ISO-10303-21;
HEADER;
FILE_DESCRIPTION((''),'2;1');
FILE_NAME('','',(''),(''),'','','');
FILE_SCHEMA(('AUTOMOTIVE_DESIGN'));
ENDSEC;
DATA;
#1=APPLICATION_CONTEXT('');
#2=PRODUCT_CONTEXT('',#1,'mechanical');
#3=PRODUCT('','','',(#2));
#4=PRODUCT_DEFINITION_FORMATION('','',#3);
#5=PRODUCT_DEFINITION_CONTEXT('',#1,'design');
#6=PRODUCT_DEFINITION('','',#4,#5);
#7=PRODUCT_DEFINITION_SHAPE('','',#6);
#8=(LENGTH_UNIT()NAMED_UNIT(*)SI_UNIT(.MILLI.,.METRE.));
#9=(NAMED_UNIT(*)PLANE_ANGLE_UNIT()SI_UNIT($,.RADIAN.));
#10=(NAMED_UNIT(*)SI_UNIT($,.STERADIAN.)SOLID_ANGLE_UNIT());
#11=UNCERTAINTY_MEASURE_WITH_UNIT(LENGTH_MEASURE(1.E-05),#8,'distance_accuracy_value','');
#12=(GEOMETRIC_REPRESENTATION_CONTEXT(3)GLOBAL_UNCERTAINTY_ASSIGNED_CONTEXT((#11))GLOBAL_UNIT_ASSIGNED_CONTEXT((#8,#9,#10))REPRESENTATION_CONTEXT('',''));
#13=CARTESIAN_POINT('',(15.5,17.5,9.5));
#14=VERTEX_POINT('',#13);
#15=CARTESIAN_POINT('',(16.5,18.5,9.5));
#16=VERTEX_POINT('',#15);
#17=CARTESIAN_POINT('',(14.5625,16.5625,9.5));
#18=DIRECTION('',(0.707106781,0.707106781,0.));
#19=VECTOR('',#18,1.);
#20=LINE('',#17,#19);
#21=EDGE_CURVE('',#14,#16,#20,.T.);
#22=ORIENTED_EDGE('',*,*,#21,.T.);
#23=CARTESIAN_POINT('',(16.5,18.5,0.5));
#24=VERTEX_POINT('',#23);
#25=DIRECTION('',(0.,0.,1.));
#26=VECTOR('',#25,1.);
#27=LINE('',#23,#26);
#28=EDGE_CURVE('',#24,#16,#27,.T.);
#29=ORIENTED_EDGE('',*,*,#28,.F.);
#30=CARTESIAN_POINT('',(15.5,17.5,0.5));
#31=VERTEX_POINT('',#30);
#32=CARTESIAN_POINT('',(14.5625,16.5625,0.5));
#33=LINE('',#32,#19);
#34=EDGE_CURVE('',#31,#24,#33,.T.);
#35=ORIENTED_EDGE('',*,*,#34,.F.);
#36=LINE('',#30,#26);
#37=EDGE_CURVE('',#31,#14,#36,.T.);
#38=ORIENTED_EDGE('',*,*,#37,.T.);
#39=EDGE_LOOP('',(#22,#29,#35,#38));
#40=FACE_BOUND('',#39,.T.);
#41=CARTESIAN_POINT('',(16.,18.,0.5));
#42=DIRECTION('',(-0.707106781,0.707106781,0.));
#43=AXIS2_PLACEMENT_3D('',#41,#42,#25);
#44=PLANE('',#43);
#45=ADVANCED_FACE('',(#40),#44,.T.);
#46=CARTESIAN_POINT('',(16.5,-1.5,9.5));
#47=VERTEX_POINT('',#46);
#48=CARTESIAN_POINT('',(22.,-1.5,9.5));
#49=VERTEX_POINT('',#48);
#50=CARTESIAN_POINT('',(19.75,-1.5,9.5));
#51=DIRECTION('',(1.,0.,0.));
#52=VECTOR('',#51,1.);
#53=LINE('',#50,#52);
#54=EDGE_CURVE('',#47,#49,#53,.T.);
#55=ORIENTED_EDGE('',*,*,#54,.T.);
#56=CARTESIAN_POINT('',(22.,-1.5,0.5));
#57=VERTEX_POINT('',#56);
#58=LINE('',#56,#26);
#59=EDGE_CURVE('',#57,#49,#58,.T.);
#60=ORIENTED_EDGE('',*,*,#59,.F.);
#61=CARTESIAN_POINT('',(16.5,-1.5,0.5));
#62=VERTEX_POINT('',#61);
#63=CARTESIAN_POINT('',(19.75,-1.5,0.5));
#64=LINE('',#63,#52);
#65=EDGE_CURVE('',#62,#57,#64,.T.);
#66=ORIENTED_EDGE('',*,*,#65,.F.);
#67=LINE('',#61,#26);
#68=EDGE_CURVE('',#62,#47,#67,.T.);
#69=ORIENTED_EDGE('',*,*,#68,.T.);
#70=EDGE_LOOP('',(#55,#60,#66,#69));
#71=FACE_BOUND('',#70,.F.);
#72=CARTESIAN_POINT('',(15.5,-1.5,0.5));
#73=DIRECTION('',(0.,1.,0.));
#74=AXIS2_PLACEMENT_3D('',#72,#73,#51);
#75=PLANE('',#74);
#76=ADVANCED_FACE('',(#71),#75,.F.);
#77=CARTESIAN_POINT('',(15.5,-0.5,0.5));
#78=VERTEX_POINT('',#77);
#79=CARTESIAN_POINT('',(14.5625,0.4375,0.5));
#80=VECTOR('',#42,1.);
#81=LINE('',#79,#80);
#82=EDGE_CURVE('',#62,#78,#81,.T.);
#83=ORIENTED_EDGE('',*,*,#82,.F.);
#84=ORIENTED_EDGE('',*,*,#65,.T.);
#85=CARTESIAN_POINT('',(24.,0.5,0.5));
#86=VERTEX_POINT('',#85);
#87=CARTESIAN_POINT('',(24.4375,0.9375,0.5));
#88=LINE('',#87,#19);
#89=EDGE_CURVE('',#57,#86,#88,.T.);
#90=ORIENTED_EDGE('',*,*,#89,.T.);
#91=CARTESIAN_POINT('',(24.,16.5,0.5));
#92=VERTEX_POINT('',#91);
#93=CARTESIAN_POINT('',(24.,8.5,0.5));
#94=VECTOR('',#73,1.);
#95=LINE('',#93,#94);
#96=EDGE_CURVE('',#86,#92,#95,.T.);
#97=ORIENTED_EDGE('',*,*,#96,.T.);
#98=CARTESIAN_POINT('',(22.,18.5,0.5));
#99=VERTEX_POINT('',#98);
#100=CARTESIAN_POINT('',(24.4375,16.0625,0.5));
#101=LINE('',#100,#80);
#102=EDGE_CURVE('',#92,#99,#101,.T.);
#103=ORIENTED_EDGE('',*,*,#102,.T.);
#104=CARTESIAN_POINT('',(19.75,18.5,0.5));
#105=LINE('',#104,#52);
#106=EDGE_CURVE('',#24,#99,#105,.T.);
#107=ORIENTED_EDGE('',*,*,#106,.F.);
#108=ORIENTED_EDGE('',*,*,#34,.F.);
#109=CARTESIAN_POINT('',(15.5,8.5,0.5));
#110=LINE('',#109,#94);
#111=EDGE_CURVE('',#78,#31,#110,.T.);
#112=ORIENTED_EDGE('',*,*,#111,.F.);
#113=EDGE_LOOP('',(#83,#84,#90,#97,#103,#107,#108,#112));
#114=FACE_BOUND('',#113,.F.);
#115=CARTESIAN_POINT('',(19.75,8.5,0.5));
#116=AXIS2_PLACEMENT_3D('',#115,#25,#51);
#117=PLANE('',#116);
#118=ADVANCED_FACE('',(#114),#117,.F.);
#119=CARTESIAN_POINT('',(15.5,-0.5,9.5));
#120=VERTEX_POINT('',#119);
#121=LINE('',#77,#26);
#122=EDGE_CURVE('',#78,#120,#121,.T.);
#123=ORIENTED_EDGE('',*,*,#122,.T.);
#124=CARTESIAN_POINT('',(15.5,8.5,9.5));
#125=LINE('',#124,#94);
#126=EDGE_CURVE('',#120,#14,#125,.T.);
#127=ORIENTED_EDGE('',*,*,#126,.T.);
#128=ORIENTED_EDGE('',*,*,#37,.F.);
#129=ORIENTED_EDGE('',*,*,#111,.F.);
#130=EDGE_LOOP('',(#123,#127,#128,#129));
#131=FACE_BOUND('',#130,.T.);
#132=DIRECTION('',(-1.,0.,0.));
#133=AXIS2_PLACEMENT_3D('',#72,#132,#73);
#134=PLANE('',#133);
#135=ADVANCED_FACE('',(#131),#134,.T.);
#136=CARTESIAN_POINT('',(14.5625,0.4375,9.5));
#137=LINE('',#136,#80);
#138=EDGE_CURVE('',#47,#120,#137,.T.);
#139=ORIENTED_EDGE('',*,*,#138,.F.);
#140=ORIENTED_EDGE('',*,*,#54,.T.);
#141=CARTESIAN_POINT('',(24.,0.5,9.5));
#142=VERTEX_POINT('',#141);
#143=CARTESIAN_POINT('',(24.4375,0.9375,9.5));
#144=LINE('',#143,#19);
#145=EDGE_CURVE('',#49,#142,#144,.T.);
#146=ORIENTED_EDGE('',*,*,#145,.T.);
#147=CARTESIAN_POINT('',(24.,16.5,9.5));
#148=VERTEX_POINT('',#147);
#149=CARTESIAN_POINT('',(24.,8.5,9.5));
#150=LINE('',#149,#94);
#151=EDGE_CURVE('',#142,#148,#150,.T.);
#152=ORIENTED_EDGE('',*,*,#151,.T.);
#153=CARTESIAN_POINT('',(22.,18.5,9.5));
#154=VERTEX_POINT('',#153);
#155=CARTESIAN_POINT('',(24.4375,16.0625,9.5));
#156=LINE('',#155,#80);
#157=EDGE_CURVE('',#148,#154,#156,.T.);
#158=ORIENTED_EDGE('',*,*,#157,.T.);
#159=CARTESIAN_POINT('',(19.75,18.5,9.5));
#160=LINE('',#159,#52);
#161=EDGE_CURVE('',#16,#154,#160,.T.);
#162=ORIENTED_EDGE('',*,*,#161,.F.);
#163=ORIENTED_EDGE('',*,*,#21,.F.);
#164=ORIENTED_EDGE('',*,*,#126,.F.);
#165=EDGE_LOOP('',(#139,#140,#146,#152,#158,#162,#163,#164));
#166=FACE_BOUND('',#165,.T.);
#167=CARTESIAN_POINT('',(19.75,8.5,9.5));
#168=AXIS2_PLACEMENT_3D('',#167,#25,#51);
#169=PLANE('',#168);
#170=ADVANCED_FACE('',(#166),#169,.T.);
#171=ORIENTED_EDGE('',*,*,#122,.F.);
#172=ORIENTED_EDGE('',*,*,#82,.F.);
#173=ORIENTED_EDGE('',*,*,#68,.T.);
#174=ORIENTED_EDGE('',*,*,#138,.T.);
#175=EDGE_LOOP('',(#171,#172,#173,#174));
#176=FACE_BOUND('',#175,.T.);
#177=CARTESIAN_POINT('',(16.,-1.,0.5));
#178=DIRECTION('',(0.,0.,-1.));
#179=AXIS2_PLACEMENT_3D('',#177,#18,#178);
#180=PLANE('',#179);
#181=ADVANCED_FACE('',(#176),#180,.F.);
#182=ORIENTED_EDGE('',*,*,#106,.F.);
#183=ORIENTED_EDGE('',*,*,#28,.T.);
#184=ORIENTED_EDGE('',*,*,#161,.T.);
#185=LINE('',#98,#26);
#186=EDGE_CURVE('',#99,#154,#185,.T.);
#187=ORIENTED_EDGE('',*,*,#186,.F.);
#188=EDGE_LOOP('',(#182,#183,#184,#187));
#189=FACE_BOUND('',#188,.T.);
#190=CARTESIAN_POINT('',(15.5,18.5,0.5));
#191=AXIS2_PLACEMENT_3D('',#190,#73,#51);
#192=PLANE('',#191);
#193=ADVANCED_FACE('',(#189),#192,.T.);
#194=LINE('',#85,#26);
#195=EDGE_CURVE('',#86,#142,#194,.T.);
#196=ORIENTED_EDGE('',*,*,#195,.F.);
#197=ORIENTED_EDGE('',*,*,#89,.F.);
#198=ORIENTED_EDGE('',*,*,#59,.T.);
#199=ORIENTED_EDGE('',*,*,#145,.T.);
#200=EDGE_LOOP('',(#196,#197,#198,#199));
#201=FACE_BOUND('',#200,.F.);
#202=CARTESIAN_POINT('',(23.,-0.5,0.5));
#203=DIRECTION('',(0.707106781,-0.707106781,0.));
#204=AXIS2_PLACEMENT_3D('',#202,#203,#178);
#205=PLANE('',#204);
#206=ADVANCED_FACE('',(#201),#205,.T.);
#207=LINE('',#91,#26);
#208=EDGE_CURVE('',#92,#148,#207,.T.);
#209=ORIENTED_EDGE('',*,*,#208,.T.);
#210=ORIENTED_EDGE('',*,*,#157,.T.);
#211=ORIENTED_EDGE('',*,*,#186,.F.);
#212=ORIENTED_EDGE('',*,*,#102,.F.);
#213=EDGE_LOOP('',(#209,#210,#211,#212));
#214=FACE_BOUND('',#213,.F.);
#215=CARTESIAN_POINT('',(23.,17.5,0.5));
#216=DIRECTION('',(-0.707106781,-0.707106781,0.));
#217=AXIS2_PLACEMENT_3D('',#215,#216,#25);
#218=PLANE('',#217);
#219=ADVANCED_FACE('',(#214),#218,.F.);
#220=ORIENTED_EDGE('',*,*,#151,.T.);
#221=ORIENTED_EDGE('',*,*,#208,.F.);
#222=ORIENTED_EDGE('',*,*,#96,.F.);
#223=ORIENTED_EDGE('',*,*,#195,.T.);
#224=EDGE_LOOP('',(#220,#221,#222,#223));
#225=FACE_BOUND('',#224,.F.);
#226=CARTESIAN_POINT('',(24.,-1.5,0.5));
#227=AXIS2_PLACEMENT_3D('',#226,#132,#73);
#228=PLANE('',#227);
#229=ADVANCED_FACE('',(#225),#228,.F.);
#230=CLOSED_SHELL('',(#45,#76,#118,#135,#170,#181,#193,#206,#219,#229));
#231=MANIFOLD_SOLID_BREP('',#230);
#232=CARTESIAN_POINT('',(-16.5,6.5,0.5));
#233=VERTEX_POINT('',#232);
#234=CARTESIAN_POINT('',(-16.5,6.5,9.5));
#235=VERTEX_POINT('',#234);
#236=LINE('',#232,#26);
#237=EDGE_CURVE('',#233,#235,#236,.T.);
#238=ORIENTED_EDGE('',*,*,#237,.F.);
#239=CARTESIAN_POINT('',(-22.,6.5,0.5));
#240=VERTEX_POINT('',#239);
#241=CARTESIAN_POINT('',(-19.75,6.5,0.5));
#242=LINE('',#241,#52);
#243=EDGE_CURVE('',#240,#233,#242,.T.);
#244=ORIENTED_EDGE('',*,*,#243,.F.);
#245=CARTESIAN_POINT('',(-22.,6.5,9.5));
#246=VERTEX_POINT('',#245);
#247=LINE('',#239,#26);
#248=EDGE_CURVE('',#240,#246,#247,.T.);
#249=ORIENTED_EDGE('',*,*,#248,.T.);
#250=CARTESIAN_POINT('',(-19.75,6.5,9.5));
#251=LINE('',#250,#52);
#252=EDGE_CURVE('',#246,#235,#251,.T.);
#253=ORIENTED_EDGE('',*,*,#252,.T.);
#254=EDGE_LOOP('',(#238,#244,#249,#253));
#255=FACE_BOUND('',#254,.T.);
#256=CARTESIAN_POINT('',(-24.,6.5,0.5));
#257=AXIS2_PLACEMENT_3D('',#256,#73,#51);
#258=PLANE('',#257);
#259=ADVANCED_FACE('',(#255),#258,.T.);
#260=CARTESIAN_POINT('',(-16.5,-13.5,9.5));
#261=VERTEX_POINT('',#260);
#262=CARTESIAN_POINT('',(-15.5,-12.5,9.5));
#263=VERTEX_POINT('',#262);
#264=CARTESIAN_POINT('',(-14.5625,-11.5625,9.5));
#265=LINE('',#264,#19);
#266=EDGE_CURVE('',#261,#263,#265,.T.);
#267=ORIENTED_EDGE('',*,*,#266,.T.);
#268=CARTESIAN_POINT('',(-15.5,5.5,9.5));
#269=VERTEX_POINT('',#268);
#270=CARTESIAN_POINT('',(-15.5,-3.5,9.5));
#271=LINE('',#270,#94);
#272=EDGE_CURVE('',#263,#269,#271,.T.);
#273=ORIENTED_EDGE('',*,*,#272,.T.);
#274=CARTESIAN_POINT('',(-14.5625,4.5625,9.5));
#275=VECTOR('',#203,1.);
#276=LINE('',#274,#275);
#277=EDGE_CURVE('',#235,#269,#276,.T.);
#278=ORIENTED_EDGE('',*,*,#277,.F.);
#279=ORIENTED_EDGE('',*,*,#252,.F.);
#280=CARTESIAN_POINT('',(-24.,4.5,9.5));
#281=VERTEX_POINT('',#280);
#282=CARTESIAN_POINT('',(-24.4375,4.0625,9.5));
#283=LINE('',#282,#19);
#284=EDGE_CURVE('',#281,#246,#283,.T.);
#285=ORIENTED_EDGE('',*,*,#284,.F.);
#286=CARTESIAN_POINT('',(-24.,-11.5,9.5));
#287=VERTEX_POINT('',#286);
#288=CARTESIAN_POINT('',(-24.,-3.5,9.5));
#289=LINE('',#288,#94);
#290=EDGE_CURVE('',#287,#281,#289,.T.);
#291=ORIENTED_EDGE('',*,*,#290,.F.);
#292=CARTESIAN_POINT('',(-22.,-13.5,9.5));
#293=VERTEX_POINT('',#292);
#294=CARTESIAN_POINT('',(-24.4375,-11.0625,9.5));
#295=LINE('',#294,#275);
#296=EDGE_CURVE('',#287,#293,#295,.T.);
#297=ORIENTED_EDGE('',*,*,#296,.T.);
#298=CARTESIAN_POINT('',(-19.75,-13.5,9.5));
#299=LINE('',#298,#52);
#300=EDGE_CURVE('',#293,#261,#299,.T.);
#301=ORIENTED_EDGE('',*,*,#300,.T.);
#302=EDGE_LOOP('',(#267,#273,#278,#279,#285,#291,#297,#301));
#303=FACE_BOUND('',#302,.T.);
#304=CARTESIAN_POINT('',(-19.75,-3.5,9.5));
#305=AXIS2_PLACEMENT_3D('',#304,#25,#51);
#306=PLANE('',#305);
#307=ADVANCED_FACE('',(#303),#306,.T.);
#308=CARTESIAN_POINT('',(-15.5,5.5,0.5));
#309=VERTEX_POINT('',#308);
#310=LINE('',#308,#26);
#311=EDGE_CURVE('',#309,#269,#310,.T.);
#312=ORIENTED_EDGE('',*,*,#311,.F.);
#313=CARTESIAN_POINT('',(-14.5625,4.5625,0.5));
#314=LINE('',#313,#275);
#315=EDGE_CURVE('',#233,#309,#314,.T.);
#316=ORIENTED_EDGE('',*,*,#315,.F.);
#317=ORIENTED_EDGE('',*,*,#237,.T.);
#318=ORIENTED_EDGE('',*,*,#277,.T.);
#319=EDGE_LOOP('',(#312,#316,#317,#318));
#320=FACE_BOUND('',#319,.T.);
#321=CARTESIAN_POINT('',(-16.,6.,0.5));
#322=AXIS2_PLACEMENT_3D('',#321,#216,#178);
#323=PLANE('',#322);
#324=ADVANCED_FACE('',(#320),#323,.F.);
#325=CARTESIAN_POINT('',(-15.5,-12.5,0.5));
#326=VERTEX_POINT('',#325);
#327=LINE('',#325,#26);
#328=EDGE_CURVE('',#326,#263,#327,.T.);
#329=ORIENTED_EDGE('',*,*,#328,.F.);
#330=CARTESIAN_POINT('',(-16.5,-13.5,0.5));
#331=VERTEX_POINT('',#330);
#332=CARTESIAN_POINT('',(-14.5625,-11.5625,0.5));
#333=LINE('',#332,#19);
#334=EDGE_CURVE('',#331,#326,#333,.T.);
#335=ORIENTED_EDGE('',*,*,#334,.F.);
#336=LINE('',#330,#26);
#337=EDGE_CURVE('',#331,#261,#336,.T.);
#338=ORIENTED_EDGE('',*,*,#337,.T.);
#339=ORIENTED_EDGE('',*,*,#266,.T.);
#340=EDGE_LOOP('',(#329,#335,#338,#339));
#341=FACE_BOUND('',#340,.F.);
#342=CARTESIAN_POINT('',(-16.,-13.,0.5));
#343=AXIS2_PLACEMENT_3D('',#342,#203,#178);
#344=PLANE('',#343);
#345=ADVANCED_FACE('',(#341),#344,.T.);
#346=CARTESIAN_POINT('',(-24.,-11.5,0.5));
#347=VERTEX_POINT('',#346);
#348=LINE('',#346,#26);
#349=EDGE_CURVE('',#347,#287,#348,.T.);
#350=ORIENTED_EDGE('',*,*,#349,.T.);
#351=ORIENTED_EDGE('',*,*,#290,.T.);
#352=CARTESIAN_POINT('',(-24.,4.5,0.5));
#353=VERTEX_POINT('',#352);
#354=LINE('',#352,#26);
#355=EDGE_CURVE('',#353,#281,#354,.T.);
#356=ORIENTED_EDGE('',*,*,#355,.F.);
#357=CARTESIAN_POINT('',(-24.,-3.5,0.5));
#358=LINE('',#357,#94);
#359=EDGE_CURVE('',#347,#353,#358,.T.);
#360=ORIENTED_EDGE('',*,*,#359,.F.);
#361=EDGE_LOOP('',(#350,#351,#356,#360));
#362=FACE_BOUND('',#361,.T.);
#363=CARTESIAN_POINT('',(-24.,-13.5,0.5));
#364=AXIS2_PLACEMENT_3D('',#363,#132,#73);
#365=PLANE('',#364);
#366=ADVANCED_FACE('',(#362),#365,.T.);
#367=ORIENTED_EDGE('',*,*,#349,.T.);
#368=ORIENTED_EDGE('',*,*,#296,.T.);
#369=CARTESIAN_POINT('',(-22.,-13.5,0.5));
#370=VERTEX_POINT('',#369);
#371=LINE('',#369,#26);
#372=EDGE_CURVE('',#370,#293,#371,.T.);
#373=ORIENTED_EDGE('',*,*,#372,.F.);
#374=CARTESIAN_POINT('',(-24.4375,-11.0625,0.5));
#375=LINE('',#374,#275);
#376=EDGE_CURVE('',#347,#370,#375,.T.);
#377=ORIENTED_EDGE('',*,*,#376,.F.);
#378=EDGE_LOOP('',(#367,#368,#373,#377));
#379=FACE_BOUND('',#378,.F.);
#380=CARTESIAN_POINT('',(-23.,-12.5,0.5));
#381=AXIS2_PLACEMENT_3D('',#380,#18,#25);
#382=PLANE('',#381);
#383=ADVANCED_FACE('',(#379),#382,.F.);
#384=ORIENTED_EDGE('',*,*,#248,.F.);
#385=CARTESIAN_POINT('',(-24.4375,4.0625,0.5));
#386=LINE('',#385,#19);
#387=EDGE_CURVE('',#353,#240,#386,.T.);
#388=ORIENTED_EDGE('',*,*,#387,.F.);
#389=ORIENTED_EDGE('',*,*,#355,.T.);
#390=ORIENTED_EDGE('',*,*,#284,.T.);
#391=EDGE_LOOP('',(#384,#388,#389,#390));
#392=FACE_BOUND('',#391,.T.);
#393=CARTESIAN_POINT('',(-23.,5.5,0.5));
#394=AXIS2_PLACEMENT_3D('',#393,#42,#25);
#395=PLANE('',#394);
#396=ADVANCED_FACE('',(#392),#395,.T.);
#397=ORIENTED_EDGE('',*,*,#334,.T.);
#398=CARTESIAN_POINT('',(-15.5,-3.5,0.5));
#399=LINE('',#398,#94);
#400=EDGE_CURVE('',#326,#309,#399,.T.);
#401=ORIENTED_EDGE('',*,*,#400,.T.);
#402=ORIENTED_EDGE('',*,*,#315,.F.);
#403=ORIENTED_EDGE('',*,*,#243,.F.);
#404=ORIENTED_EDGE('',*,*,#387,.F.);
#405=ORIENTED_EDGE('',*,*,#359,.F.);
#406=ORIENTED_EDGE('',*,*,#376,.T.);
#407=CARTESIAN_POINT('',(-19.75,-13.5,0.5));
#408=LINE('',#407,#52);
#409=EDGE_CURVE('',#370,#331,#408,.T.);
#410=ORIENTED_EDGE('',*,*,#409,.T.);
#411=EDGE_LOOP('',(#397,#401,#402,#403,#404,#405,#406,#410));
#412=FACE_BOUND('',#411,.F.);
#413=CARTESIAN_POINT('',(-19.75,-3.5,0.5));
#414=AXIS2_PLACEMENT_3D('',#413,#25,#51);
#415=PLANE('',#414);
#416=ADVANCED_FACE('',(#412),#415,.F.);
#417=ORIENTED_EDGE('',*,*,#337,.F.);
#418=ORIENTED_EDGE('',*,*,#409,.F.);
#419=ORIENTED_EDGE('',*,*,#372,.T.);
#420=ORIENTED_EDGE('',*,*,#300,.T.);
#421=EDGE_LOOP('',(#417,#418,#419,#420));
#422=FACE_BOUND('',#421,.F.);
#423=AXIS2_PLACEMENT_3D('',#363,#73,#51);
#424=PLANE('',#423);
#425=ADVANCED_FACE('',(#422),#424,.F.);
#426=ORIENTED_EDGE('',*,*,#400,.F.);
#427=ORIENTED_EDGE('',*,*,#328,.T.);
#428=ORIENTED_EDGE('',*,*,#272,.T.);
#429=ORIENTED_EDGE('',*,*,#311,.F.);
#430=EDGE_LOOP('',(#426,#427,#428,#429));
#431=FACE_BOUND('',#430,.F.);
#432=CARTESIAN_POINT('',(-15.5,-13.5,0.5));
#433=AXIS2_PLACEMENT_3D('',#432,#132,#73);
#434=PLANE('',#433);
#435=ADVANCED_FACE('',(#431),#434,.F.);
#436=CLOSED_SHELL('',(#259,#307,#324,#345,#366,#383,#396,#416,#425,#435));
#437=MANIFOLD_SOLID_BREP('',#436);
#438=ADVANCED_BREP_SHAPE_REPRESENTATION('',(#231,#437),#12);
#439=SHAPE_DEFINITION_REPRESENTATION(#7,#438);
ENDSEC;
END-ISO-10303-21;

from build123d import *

# Parameters (mm, degrees)
BOX020_W                                      = 8.5
BOX020_H                                      = 20
BOX020_DEPTH                                  = 9
BOX021_W                                      = 8.5
BOX021_H                                      = 20
BOX021_DEPTH                                  = 9
CHAMFER005021077002006007019003032007003_SIZE = 2
CHAMFER005021077002006007019003032007004_SIZE = 1


with BuildPart() as cube018:
    # Box020 → Box020 (new body)
    with BuildSketch(Plane(origin=(15.5, -1.5, 0.5), x_dir=(1, 0, 0), z_dir=(0, 0, 1))):
        with Locations((4.25, 10)):
            Rectangle(BOX020_W, BOX020_H)
    extrude(amount=BOX020_DEPTH)


with BuildPart() as belt_block:
    # Box021 → Box021 (new body)
    with BuildSketch(Plane(origin=(-24, -13.5, 0.5), x_dir=(1, 0, 0), z_dir=(0, 0, 1))):
        with Locations((4.25, 10)):
            Rectangle(BOX021_W, BOX021_H)
    extrude(amount=BOX021_DEPTH)

    # Fusion001007011026003: union Cube018
    add(cube018.part)

    # Chamfer005021077002006007019003032007003
    chamfer005021077002006007019003032007003_edges = [belt_block.edges().sort_by_distance(p)[0] for p in [
        (-24, -13.5, 5),
        (-24, 6.5, 5),
        (24, -1.5, 5),
        (24, 18.5, 5),
    ]]
    chamfer(chamfer005021077002006007019003032007003_edges, length=CHAMFER005021077002006007019003032007003_SIZE)

    # Chamfer005021077002006007019003032007004
    chamfer005021077002006007019003032007004_edges = [belt_block.edges().sort_by_distance(p)[0] for p in [
        (-15.5, -13.5, 5),
        (-15.5, 6.5, 5),
        (15.5, 18.5, 5),
        (15.5, -1.5, 5),
    ]]
    chamfer(chamfer005021077002006007019003032007004_edges, length=CHAMFER005021077002006007019003032007004_SIZE)


solid = belt_block.part
